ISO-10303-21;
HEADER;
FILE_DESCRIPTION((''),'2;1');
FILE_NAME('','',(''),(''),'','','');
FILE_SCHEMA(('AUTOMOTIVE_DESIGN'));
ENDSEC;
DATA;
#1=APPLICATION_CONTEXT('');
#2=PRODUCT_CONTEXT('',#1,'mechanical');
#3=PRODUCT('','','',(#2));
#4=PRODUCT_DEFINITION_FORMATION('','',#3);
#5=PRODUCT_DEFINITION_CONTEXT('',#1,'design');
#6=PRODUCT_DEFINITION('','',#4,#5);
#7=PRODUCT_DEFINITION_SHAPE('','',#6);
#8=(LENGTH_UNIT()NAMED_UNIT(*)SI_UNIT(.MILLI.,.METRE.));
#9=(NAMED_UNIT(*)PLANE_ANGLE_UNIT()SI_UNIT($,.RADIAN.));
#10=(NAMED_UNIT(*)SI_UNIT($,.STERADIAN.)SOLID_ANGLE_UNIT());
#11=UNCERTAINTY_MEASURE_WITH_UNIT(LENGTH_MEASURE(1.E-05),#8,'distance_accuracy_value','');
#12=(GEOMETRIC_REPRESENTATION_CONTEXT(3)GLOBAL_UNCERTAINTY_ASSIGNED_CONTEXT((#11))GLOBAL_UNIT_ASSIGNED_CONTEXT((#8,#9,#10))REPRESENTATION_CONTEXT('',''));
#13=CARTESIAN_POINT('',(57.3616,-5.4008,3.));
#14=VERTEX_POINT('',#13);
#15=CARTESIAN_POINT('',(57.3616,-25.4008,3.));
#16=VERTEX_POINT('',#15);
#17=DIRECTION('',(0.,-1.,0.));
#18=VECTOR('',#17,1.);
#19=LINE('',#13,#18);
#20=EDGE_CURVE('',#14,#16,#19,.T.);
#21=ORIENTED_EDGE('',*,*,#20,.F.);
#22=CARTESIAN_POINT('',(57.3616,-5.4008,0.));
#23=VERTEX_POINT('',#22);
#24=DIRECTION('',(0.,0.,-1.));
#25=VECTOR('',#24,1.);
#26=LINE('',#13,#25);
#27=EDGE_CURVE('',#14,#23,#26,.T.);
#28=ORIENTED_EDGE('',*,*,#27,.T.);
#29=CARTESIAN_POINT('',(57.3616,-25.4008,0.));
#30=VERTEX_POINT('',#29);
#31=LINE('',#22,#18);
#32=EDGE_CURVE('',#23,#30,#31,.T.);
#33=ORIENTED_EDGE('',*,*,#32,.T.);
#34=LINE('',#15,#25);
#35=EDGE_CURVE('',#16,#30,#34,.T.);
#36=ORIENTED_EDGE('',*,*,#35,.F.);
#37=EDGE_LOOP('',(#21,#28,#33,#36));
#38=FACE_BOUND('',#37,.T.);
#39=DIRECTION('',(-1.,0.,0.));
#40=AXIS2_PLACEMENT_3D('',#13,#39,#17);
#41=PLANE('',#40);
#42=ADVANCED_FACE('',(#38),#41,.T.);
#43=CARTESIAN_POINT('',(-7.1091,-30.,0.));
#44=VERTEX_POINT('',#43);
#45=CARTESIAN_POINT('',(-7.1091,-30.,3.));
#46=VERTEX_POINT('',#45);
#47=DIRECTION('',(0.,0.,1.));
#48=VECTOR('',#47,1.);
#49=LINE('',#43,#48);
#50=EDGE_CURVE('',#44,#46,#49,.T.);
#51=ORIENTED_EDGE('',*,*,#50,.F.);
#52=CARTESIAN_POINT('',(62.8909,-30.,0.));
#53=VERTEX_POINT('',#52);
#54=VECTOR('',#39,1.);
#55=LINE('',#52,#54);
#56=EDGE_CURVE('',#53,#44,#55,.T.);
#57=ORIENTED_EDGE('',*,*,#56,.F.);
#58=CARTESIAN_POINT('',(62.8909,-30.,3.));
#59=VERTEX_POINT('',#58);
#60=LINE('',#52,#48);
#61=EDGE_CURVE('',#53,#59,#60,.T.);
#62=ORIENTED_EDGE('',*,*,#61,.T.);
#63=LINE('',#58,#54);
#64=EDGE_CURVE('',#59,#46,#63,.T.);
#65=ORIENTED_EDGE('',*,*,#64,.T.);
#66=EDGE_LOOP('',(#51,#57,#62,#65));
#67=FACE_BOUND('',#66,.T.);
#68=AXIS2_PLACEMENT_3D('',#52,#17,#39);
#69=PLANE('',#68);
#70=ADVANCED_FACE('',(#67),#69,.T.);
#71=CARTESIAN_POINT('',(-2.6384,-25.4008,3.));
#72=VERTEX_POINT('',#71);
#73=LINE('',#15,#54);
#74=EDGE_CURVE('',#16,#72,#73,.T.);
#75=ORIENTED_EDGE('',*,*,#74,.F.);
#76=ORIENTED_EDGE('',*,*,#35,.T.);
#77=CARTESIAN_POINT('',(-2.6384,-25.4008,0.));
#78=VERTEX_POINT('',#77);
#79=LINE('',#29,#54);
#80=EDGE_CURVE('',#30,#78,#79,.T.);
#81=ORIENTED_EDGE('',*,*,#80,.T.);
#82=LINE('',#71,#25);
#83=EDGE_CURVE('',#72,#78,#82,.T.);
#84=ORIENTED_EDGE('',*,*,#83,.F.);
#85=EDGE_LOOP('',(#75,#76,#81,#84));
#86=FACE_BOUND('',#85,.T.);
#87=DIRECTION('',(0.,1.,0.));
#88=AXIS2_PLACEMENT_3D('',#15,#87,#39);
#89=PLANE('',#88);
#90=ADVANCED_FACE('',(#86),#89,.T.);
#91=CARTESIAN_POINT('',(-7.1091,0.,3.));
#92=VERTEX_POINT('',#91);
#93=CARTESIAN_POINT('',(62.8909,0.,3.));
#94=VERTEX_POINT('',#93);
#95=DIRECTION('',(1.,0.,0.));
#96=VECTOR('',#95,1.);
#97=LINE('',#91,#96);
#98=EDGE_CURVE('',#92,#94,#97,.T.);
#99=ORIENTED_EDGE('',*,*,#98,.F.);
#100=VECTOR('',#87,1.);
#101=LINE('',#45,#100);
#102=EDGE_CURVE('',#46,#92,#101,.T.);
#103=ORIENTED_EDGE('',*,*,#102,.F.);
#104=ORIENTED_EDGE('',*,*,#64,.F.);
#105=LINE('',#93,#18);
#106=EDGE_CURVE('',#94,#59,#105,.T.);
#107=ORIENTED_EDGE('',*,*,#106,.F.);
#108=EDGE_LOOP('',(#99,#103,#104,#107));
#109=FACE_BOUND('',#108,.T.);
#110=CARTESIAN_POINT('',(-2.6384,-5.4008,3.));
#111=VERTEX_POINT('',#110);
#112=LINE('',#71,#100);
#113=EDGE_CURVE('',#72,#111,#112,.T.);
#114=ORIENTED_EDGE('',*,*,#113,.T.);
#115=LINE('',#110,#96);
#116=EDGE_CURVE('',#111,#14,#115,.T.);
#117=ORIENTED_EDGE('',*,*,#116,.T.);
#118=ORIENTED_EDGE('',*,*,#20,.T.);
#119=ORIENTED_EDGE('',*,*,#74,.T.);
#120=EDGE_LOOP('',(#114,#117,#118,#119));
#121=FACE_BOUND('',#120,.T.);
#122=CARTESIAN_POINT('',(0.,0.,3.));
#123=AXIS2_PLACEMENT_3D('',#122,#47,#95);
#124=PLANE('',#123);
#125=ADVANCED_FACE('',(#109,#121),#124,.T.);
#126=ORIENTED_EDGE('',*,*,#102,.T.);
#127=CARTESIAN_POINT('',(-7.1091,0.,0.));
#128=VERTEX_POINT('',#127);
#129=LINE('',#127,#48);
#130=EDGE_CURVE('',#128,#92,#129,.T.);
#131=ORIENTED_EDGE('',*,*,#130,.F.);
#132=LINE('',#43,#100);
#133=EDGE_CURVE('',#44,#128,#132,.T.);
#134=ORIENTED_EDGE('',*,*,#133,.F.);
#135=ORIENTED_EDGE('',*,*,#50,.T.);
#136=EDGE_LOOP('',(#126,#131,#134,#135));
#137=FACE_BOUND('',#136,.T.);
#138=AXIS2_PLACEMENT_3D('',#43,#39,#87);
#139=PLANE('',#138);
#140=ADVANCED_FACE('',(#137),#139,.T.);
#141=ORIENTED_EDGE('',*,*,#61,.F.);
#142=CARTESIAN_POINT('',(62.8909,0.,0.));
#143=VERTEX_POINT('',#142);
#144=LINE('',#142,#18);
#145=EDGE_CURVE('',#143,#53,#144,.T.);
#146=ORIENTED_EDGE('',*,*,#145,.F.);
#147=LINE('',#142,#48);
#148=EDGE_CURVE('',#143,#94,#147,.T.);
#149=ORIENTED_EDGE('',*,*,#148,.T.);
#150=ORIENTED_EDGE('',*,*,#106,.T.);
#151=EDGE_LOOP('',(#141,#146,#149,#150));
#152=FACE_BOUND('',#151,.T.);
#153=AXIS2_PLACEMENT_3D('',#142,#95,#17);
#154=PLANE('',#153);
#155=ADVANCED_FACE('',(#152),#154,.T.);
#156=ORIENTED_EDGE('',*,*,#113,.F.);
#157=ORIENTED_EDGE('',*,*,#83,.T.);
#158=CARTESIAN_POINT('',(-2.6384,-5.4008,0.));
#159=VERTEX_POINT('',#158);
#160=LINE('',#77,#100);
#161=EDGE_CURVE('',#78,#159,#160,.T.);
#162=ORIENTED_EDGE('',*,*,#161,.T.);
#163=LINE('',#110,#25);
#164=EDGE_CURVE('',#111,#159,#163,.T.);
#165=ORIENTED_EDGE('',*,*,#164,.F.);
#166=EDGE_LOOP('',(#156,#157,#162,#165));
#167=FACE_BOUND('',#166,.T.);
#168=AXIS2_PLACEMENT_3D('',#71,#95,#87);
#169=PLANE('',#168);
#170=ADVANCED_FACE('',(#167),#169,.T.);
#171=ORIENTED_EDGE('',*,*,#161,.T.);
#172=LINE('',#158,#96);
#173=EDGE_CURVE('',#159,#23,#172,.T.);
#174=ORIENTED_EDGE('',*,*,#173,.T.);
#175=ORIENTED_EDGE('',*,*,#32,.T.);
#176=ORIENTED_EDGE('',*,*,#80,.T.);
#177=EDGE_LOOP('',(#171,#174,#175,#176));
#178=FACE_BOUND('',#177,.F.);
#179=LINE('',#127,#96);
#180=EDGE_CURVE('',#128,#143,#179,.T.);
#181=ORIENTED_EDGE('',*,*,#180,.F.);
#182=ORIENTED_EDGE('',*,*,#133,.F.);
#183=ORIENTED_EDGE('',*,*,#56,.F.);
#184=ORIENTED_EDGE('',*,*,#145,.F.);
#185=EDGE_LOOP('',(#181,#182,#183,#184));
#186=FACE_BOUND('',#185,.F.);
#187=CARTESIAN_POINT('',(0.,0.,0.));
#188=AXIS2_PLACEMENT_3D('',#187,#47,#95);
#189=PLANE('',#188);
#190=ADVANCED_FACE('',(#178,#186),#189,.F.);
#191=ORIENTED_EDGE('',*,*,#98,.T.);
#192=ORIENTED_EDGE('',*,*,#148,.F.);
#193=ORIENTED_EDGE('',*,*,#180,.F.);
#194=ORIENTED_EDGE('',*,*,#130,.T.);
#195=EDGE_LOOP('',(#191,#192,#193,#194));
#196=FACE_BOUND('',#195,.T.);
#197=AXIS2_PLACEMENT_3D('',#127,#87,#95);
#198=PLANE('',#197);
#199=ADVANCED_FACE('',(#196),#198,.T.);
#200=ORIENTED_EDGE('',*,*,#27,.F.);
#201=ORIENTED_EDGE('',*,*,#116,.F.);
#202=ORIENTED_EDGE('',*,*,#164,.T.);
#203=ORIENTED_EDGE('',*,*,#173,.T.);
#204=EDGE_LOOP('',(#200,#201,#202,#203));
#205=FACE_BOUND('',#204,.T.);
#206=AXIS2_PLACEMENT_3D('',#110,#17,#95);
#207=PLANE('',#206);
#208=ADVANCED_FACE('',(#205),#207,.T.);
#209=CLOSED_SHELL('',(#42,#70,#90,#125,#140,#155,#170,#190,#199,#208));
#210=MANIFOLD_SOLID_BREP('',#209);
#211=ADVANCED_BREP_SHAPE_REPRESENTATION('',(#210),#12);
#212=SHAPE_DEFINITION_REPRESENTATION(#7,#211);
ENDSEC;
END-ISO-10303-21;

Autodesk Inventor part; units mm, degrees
ref_plane "YZ Plane" through (0, 0, 0) normal (1, 0, 0) x (0, 1, 0)
ref_plane "XZ Plane" through (0, 0, 0) normal (0, 1, 0) x (-1, 0, 0)
ref_plane "XY Plane" through (0, 0, 0) normal (0, 0, 1) x (1, 0, 0)
sketch "Sketch1" plane through (0, 0, 0) normal (0, 0, 1) x (1, 0, 0)
  line L0 (-7.1091, 0) -> (62.8909, 0)
  line L1 (62.8909, 0) -> (62.8909, -30)
  line L2 (62.8909, -30) -> (-7.1091, -30)
  line L3 (-7.1091, -30) -> (-7.1091, 0)
  point P0 (0, 0)
  dimension "d0" = 70
  dimension "d1" = 30
extrude "Extrusion1" add sketch "Sketch1" along normal blind 3
sketch "Sketch2" plane through (0, 0, 3) normal (0, 0, 1) x (1, 0, 0)
  line L0 (57.3616, -25.4008) -> (-2.6384, -25.4008)
  line L1 (-2.6384, -25.4008) -> (-2.6384, -5.4008)
  line L2 (-2.6384, -5.4008) -> (57.3616, -5.4008)
  line L3 (57.3616, -5.4008) -> (57.3616, -25.4008)
  line L4 (57.3616, -25.4008) -> (-2.6384, -5.4008) construction
  line L5 (-2.6384, -25.4008) -> (57.3616, -5.4008) construction
  point P0 (0, 0)
  point P1 (27.3616, -15.4008)
  dimension "d4" = 60
  dimension "d5" = 20
extrude "Extrusion2" cut sketch "Sketch2" against normal blind 3
properties part number "mouth_open"
